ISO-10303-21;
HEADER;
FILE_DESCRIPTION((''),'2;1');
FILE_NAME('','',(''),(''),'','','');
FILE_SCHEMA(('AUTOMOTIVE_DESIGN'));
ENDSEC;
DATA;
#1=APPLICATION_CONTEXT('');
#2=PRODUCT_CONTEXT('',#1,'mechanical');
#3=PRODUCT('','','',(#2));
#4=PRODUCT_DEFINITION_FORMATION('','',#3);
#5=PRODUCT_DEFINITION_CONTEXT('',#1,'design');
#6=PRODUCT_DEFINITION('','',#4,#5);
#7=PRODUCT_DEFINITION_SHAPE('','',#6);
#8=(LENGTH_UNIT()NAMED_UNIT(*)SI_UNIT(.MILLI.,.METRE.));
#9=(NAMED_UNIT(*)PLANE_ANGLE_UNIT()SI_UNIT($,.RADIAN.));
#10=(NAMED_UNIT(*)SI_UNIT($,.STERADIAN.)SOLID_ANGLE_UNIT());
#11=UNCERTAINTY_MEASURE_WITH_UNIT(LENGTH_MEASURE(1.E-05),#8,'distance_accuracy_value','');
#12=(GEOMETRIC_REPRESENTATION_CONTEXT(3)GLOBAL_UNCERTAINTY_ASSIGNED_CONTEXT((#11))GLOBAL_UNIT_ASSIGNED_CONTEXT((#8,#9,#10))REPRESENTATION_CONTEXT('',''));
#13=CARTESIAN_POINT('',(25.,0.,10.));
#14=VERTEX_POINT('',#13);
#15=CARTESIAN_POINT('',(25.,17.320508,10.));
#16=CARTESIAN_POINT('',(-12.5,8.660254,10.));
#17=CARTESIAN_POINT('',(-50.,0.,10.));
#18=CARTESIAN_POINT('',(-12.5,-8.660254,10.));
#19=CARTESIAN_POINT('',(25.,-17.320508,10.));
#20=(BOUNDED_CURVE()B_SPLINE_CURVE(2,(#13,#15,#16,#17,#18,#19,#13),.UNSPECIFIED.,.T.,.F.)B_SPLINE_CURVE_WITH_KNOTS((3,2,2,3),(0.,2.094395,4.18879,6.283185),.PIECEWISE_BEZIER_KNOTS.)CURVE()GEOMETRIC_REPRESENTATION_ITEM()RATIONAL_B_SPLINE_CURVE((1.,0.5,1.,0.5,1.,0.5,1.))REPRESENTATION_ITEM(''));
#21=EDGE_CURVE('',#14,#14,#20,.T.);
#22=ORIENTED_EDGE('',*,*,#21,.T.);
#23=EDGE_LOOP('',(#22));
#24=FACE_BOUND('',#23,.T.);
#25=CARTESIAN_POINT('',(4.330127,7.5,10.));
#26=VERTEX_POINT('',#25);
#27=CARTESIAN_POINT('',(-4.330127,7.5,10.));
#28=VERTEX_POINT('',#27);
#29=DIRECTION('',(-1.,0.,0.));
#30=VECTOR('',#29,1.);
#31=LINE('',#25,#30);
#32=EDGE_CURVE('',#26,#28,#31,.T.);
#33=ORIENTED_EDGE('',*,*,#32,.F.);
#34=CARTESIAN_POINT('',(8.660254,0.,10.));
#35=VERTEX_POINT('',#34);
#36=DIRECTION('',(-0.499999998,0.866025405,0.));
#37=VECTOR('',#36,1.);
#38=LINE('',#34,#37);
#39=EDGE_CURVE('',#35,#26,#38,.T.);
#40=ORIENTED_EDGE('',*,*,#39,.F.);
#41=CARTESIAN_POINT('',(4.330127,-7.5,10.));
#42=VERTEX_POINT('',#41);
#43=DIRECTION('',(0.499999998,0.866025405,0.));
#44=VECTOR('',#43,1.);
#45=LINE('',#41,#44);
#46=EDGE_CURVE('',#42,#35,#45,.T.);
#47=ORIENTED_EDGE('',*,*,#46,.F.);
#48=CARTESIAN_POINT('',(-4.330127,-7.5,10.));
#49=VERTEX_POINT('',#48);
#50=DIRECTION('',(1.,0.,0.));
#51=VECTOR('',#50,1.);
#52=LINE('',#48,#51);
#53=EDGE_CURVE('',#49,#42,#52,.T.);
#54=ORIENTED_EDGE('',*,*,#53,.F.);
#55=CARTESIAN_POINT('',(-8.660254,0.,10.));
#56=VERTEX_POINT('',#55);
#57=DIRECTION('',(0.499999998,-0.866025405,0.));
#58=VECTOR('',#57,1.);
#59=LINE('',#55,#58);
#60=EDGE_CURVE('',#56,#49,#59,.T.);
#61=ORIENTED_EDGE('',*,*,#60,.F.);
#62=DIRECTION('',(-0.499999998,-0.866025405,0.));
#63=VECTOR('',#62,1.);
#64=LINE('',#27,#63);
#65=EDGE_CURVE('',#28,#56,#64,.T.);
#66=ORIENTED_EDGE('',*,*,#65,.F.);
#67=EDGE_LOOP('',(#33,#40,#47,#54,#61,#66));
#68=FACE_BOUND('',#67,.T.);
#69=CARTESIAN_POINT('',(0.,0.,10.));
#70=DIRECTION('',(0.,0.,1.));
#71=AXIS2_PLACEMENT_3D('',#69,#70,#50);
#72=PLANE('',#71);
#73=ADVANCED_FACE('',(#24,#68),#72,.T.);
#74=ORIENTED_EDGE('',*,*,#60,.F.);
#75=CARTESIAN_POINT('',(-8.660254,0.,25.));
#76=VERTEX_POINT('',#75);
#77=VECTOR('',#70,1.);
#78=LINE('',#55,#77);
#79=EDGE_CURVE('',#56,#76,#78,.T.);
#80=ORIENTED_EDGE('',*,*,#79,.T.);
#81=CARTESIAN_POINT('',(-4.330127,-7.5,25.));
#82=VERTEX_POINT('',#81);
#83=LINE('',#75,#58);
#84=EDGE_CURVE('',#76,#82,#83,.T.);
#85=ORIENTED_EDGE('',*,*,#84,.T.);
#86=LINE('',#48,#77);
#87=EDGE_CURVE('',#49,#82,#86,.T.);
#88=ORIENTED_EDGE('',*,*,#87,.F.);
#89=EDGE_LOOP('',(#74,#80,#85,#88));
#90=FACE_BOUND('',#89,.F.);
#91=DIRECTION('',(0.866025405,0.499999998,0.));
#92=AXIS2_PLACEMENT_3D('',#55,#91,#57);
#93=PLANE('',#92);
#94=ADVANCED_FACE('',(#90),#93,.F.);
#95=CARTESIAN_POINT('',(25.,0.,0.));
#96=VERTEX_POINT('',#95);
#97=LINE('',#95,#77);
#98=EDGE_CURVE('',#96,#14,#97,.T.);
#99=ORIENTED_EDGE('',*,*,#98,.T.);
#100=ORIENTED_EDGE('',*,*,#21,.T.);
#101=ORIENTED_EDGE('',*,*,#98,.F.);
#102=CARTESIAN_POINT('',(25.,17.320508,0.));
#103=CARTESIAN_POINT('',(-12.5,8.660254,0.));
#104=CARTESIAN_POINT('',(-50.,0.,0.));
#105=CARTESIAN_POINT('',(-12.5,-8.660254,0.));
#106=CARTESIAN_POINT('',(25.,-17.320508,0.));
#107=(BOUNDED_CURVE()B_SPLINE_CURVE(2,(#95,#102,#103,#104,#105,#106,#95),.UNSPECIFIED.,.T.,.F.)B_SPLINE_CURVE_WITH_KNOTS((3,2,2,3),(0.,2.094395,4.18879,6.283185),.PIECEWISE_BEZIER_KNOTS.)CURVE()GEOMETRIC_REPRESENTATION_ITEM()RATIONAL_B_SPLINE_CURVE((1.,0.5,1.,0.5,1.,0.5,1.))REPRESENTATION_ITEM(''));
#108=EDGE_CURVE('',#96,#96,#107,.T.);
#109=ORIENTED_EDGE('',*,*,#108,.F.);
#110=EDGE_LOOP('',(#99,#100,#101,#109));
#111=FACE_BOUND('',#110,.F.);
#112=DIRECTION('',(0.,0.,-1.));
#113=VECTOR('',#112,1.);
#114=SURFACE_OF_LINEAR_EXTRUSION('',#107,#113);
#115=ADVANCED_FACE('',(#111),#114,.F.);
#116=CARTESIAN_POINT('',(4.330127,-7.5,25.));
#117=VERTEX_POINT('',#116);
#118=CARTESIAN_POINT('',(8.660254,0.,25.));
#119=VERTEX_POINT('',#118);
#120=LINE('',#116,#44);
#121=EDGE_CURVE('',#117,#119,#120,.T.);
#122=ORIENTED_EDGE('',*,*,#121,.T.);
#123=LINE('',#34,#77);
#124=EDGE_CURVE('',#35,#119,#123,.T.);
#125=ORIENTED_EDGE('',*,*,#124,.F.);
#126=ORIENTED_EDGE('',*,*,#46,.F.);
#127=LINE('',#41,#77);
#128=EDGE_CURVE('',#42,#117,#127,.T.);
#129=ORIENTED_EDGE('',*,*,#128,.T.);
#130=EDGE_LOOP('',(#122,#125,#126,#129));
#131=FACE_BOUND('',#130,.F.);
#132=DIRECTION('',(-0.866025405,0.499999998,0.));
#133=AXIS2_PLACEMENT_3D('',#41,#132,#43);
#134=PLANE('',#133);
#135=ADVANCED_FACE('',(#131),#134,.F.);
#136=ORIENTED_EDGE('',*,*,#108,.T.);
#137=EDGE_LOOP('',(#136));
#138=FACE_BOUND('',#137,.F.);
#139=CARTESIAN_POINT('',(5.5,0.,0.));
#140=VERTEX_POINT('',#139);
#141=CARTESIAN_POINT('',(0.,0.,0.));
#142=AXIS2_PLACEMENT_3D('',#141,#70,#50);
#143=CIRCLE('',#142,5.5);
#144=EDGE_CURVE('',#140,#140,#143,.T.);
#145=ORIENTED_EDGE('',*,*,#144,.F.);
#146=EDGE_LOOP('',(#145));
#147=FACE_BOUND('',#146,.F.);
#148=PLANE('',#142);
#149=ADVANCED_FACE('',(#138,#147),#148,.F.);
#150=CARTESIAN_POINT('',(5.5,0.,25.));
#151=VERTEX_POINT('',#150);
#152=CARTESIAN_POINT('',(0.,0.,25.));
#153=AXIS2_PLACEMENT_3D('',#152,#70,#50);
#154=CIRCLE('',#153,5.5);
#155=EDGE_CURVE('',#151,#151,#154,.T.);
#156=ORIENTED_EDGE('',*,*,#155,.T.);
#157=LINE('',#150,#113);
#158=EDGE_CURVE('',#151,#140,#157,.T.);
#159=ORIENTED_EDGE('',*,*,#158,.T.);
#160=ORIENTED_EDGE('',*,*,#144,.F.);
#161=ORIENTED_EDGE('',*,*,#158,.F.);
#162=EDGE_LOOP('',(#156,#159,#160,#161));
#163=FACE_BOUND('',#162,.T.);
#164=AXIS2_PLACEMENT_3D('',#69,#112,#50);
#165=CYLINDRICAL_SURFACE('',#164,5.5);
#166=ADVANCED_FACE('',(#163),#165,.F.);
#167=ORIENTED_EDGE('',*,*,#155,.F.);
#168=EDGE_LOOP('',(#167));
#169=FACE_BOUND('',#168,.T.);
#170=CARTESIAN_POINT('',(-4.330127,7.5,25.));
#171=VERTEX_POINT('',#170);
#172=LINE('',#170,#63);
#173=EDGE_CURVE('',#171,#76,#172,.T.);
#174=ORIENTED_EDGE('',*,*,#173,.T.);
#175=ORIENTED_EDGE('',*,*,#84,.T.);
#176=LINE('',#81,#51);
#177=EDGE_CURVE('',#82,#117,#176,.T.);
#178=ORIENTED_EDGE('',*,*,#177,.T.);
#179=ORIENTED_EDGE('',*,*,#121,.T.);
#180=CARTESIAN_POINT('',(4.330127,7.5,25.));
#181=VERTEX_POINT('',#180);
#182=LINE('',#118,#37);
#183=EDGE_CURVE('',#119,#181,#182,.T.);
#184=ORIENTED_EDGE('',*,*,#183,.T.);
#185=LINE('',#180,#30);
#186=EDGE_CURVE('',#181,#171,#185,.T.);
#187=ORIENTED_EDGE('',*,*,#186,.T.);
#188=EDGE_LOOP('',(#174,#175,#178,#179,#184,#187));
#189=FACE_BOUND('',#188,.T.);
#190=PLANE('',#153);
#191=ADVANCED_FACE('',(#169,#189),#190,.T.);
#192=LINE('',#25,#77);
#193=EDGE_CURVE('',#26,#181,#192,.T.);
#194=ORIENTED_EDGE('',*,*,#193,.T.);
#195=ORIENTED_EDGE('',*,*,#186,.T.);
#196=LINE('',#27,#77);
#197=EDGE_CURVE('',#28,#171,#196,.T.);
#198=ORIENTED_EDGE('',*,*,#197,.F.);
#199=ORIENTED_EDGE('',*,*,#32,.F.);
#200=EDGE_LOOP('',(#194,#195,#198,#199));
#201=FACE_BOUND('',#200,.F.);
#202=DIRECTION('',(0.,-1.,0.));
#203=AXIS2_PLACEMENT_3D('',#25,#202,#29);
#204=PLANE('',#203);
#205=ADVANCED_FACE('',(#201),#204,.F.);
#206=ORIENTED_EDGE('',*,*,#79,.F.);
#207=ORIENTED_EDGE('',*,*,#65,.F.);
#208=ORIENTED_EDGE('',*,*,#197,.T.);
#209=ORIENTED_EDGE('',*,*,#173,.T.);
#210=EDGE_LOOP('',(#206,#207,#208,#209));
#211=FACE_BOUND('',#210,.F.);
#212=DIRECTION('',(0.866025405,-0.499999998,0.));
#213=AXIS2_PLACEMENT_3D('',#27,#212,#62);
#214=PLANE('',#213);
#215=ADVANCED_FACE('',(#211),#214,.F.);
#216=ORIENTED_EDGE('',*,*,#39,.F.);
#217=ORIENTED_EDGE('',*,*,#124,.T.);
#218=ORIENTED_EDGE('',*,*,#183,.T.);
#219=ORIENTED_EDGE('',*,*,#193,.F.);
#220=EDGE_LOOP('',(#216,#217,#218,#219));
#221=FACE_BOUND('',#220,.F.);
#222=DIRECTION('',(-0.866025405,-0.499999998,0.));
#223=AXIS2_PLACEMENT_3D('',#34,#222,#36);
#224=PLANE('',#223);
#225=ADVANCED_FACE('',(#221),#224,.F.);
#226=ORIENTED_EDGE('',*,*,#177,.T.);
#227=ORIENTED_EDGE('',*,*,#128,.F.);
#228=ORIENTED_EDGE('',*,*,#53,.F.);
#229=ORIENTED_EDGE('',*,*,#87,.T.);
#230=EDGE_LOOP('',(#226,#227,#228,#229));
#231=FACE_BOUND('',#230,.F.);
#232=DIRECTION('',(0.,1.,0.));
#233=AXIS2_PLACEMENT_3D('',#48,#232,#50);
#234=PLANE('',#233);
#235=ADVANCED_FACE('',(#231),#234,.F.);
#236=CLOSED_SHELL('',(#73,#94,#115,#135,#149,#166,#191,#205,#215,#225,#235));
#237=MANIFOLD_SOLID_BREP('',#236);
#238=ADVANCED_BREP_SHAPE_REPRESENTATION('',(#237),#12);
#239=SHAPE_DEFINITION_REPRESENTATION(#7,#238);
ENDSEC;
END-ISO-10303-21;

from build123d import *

# Parameters (mm, degrees)
F0_R     = 5.5
F1_DEPTH = 10
F2_R     = 5.5
F3_DEPTH = 15


with BuildPart() as f1:
    # F0 (on Top) → F1 (new body)
    with BuildSketch(Plane.XY):
        with BuildLine():
            add(Edge.make_bspline(
                [(25, 0), (25, 17.320508), (-12.5, 8.660254), (-50, 0), (-12.5, -8.660254), (25, -17.320508), (25, 0)],
                knots=[0, 0, 0, 2.094395, 2.094395, 4.18879, 4.18879, 6.283185, 6.283185, 6.283185], degree=2, weights=[1, 0.5, 1, 0.5, 1, 0.5, 1]))
        make_face()
        Circle(F0_R, mode=Mode.SUBTRACT)
    extrude(amount=F1_DEPTH)

    # F2 (on face) → F3 (join)
    with BuildSketch(Plane.XY.offset(10)):
        Polygon((4.330127, -7.5), (8.660254, 0), (4.330127, 7.5), (-4.330127, 7.5), (-8.660254, 0), (-4.330127, -7.5), align=None)
        Circle(F2_R, mode=Mode.SUBTRACT)
    extrude(amount=F3_DEPTH)


solid = f1.part
